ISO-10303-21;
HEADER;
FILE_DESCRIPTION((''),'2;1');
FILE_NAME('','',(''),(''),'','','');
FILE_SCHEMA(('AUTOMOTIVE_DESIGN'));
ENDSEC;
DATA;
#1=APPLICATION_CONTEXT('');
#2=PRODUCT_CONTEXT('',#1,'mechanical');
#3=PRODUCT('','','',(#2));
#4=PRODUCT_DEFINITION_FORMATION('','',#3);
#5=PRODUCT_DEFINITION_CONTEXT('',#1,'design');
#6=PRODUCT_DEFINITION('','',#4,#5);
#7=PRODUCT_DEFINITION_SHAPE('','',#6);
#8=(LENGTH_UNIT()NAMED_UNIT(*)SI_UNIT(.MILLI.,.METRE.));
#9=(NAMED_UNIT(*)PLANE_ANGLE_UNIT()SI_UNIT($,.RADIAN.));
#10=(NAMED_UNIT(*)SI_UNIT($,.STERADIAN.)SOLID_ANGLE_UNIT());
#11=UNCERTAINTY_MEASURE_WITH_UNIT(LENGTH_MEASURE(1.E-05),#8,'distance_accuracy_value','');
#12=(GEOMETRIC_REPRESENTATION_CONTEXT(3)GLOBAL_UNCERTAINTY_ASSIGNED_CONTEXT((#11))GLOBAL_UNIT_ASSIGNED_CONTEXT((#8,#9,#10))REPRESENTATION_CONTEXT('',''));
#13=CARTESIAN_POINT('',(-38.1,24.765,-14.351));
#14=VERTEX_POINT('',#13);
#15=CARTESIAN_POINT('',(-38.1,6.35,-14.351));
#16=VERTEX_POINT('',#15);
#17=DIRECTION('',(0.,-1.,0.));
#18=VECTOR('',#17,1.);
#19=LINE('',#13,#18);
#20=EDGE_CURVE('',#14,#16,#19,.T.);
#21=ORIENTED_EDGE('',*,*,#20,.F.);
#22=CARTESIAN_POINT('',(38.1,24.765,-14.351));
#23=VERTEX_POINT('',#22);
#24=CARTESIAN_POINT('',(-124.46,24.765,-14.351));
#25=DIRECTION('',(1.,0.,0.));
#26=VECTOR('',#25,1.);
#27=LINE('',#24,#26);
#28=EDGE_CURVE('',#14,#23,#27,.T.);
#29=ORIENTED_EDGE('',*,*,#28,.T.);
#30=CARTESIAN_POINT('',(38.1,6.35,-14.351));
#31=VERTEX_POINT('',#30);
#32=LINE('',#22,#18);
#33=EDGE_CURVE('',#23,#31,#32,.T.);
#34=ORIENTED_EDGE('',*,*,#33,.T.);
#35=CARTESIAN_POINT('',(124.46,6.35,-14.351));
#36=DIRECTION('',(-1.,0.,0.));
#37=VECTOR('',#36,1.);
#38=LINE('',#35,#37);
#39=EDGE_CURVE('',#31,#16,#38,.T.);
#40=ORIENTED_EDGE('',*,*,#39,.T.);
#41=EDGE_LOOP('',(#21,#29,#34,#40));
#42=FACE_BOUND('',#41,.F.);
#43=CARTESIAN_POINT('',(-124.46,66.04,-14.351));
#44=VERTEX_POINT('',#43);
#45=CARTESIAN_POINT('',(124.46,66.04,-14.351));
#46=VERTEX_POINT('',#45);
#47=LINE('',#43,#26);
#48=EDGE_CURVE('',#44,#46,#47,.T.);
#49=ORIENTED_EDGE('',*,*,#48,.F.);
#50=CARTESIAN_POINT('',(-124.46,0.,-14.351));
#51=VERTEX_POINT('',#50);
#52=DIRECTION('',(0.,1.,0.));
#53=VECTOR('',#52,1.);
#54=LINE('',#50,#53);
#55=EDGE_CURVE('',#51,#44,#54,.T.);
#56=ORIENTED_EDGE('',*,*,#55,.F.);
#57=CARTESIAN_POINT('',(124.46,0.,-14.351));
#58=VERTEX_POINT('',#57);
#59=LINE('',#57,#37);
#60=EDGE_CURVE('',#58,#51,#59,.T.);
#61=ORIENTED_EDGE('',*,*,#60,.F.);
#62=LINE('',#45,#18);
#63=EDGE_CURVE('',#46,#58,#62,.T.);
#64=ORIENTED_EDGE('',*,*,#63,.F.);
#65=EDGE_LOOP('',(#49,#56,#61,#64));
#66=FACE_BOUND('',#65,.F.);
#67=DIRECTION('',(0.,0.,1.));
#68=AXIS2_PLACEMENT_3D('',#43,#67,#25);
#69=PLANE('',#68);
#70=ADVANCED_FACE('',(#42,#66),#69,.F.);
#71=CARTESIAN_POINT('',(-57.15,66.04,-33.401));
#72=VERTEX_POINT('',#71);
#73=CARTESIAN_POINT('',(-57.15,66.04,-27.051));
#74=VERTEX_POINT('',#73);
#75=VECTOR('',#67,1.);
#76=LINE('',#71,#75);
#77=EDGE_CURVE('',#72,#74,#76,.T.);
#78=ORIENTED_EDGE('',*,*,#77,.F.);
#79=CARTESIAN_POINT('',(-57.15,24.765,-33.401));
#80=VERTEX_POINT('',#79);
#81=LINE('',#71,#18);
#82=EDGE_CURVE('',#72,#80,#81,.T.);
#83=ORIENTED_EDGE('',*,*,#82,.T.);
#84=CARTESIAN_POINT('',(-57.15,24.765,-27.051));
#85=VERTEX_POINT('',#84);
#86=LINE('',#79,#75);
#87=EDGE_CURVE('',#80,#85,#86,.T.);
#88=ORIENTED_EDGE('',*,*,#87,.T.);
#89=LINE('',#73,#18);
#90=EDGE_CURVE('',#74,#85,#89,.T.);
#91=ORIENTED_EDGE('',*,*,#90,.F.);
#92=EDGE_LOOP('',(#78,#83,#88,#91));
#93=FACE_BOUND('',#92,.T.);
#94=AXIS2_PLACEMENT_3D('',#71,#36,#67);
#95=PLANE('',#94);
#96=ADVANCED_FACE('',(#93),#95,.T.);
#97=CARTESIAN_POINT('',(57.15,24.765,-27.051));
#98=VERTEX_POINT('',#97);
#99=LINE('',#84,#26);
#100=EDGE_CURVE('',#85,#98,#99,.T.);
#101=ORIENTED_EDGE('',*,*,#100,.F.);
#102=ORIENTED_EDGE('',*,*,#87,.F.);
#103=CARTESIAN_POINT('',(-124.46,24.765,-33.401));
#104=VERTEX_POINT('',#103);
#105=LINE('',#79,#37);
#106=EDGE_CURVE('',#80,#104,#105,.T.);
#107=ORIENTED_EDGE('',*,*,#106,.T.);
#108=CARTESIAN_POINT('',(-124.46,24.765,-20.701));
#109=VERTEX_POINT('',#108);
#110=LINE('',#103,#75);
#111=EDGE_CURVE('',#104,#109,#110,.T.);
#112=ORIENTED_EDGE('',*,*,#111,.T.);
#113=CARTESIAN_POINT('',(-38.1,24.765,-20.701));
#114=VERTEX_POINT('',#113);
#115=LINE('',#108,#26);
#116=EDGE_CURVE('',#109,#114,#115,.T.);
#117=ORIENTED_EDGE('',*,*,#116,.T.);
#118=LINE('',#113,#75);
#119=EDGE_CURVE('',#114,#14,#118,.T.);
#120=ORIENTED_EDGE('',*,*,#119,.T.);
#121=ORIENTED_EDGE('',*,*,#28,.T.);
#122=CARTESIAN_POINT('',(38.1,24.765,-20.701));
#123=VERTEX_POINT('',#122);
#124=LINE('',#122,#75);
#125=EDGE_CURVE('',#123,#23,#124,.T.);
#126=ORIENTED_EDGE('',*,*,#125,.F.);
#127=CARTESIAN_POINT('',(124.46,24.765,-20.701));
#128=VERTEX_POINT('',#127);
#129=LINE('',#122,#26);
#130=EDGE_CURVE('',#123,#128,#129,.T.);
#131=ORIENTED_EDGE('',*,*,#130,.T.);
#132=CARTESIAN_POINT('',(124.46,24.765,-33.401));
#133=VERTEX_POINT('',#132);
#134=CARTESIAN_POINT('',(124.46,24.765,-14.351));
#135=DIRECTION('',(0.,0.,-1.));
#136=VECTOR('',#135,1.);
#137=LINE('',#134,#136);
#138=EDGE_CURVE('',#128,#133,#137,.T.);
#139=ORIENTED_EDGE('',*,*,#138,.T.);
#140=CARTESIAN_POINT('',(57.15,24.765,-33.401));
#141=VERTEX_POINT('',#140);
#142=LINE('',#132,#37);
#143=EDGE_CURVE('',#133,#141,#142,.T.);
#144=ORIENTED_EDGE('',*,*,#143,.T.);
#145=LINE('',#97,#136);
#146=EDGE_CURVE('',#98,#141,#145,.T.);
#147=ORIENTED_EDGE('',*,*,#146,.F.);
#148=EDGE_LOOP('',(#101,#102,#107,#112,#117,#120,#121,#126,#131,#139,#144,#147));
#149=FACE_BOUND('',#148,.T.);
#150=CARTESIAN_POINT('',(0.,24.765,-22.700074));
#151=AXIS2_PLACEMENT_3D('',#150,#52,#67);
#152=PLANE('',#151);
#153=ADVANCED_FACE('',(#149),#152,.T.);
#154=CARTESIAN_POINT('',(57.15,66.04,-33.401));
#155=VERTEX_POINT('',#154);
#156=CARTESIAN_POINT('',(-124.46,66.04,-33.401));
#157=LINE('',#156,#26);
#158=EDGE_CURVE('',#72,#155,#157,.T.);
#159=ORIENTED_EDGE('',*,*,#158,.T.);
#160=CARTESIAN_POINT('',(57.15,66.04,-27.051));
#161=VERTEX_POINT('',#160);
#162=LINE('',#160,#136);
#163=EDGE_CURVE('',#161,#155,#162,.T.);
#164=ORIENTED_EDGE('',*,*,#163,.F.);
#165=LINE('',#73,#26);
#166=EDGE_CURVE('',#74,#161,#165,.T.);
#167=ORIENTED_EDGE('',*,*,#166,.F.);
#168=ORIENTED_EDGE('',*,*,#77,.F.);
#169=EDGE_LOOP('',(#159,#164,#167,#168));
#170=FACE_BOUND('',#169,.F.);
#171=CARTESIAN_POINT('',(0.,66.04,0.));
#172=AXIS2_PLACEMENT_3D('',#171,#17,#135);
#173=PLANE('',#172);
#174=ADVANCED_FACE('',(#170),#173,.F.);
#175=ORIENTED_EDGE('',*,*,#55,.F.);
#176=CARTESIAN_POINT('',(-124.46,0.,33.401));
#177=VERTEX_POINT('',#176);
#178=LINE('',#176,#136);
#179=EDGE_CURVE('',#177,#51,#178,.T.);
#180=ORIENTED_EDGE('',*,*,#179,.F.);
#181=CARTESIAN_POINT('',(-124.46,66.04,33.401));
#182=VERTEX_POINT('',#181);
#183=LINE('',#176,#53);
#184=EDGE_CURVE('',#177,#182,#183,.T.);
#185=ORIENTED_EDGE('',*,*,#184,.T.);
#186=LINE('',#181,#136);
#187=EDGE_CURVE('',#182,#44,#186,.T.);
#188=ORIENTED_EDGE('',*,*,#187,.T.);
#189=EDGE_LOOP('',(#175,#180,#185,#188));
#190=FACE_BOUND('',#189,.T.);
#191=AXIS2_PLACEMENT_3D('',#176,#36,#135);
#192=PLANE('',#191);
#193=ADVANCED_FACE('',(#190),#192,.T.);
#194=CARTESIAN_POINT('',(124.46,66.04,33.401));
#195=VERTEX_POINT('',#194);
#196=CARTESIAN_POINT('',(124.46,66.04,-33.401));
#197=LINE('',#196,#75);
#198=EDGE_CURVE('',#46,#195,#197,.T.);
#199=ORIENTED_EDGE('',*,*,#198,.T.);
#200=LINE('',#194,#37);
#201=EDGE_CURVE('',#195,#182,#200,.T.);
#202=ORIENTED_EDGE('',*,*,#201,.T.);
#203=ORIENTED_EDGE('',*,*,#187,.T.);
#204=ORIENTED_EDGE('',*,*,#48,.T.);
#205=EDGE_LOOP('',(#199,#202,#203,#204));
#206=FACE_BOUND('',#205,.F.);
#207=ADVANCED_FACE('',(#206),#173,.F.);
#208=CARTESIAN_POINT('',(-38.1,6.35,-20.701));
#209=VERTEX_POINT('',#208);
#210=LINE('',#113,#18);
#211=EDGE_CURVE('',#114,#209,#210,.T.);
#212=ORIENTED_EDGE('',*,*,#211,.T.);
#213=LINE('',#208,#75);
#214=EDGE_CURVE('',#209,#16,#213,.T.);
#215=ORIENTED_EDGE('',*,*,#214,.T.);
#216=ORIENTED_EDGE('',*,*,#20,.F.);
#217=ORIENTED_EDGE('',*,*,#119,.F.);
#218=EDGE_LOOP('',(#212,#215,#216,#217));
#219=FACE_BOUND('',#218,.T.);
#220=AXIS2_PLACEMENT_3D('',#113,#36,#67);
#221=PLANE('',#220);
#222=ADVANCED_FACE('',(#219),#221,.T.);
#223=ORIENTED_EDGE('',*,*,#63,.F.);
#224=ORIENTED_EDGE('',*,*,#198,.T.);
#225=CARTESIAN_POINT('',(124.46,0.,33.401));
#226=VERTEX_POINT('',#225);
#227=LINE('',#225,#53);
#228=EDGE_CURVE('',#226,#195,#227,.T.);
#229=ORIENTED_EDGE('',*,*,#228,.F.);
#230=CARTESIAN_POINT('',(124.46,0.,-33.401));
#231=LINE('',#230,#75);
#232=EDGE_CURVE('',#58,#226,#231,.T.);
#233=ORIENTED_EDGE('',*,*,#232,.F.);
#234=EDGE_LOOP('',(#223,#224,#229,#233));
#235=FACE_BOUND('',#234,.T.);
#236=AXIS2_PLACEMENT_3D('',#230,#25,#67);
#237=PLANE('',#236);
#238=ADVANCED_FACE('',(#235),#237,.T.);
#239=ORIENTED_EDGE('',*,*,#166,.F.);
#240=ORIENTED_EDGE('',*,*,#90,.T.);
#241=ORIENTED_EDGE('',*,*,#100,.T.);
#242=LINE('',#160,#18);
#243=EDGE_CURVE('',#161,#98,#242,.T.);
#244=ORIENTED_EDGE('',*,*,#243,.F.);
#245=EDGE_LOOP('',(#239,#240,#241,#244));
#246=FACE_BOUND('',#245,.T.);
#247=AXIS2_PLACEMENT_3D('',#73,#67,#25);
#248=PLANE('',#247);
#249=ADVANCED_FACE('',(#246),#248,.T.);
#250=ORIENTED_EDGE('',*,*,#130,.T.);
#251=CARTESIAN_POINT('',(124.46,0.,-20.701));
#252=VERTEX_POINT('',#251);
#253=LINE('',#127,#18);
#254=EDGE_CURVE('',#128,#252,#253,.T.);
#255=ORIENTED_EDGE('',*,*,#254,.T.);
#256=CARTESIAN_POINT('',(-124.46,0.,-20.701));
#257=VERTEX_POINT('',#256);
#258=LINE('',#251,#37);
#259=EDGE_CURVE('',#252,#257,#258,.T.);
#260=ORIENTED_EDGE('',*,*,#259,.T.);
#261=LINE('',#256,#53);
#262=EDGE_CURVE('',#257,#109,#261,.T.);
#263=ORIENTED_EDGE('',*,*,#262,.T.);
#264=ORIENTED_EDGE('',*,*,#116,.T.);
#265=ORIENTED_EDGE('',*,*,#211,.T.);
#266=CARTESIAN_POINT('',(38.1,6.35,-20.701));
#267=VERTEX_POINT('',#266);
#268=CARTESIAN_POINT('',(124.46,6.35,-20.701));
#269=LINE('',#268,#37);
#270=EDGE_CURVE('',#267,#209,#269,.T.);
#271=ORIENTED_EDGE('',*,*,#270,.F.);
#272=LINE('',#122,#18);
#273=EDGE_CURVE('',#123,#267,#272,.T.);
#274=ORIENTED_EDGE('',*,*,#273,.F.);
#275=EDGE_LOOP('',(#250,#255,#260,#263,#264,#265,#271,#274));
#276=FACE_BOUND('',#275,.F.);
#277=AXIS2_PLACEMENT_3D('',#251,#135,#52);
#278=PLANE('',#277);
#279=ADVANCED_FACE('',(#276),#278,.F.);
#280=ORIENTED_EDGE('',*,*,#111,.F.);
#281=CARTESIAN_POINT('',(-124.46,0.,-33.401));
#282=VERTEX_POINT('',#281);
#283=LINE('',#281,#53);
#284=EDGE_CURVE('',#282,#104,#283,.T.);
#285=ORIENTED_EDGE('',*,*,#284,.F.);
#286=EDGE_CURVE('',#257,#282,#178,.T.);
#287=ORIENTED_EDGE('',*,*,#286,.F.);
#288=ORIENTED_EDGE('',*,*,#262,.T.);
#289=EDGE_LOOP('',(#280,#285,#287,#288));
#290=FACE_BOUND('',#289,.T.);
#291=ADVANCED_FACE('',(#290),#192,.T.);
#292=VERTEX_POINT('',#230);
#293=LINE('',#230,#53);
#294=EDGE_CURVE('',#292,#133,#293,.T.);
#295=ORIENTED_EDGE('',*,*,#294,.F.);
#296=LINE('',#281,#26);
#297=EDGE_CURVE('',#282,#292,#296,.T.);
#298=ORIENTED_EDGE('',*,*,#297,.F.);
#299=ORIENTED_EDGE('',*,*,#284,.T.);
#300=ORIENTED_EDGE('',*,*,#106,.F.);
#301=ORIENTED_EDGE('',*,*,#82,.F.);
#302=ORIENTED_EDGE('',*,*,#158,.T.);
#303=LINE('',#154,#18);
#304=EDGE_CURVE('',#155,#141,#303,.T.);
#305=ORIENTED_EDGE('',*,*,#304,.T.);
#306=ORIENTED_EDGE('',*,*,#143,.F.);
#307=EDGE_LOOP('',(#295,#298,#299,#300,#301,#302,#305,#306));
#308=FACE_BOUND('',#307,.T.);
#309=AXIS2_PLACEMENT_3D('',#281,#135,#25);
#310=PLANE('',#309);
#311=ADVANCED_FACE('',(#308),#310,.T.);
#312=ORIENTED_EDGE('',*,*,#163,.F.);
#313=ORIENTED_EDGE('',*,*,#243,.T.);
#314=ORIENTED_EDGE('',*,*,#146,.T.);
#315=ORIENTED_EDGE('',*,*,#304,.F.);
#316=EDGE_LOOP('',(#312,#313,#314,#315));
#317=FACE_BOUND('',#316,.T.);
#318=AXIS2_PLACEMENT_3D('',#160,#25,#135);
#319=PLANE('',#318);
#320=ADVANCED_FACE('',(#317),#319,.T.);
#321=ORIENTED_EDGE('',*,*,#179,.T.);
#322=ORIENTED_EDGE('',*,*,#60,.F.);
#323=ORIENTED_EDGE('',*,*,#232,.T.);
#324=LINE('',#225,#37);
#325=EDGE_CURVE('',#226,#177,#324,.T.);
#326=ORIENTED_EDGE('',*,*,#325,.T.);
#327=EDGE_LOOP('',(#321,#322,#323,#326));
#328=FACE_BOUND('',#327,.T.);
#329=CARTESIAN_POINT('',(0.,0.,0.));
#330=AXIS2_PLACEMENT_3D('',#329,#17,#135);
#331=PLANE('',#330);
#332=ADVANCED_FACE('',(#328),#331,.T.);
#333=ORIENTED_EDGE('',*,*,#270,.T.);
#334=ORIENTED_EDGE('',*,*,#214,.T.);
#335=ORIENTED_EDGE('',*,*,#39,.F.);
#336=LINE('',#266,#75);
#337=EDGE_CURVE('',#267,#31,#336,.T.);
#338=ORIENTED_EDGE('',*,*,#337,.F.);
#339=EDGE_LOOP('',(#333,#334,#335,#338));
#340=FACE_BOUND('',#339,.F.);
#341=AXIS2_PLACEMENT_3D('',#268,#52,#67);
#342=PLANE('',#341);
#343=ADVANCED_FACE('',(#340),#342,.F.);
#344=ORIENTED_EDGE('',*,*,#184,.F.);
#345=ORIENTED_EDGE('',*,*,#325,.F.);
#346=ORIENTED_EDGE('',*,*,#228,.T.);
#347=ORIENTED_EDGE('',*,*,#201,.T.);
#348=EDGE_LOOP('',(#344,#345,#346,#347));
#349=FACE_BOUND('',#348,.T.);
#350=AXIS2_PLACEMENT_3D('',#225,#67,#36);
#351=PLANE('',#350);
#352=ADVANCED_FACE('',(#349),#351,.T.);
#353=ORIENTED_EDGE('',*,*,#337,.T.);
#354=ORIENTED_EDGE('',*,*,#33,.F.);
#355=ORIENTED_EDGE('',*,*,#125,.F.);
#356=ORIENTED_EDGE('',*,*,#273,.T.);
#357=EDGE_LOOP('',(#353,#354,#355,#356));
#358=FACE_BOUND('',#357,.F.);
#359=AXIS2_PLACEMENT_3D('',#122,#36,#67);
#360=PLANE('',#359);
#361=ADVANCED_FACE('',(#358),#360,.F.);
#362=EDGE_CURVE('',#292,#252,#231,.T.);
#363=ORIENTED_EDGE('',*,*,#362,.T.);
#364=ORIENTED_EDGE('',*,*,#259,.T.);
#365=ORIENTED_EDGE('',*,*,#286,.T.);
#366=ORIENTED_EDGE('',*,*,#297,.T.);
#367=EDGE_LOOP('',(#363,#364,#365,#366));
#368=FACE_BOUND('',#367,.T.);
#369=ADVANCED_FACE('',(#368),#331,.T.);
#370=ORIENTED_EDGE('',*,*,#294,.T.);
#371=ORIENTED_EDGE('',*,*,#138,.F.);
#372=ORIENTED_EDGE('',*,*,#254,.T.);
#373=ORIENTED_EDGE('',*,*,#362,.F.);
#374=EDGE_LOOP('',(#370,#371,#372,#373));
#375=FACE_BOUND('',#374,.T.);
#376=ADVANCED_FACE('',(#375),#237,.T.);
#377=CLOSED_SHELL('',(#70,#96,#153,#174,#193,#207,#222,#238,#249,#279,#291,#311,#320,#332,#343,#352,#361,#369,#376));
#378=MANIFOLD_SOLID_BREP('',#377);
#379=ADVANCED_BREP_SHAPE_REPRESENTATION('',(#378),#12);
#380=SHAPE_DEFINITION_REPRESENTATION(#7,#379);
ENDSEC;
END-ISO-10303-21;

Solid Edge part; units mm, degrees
sketch "Sketch1" plane through (0, 0, 0) normal (0, -1, 0) x (1, 0, 0)
  line L0 (-124.46, -33.401) -> (124.46, -33.401)
  line L1 (124.46, -33.401) -> (124.46, 33.401)
  line L2 (124.46, 33.401) -> (-124.46, 33.401)
  line L3 (-124.46, 33.401) -> (-124.46, -33.401)
  dimension "D1" = 248.92
  dimension "D2" = 66.802
extrude "Protrusion1" add sketch "Sketch1" against normal blind 66.04
sketch "Sketch2" plane through (0, 66.04, 0) normal (0, 1, 0) x (-1, 0, 0)
  line L0 (57.15, -33.401) -> (124.46, -33.401)
  line L1 (124.46, -33.401) -> (124.46, -14.351)
  line L2 (124.46, -14.351) -> (-124.46, -14.351)
  line L3 (-124.46, -14.351) -> (-124.46, -33.401)
  line L4 (-124.46, -33.401) -> (-57.15, -33.401)
  line L5 (-57.15, -27.051) -> (-57.15, -33.401)
  line L6 (57.15, -27.051) -> (-57.15, -27.051)
  line L7 (57.15, -33.401) -> (57.15, -27.051)
  dimension "D1" = 19.05
extrude "ExtrudedCutout_1" cut sketch "Sketch2" against normal blind 41.275
sketch "Sketch3" plane through (124.46, 33.02, 0) normal (1, 0, 0) x (0, 1, 0)
  line L0 (-33.02, -14.351) -> (-33.02, -20.701)
  line L1 (-33.02, -20.701) -> (-26.67, -20.701)
  line L2 (-26.67, -20.701) -> (-26.67, -14.351)
  line L3 (-26.67, -14.351) -> (-33.02, -14.351)
extrude "Cutout1" cut sketch "Sketch3" against normal through all
sketch "Sketch4" plane through (0, 24.765, -23.876) normal (0, 1, 0) x (-1, 0, 0)
  line L0 (-38.1, 3.175) -> (-124.46, 3.175)
  line L1 (-124.46, 9.525) -> (-124.46, 3.175)
  line L2 (-38.1, 9.525) -> (-124.46, 9.525)
  line L3 (-38.1, 3.175) -> (-38.1, 9.525)
  line L4 (124.46, 3.175) -> (38.1, 3.175)
  line L5 (38.1, 3.175) -> (38.1, 9.525)
  line L6 (38.1, 9.525) -> (124.46, 9.525)
  line L7 (124.46, 9.525) -> (124.46, 3.175)
  dimension "D1" = 76.2
extrude "Cutout2" cut sketch "Sketch4" against normal through all
properties material "ABS Plastic, high impact"
